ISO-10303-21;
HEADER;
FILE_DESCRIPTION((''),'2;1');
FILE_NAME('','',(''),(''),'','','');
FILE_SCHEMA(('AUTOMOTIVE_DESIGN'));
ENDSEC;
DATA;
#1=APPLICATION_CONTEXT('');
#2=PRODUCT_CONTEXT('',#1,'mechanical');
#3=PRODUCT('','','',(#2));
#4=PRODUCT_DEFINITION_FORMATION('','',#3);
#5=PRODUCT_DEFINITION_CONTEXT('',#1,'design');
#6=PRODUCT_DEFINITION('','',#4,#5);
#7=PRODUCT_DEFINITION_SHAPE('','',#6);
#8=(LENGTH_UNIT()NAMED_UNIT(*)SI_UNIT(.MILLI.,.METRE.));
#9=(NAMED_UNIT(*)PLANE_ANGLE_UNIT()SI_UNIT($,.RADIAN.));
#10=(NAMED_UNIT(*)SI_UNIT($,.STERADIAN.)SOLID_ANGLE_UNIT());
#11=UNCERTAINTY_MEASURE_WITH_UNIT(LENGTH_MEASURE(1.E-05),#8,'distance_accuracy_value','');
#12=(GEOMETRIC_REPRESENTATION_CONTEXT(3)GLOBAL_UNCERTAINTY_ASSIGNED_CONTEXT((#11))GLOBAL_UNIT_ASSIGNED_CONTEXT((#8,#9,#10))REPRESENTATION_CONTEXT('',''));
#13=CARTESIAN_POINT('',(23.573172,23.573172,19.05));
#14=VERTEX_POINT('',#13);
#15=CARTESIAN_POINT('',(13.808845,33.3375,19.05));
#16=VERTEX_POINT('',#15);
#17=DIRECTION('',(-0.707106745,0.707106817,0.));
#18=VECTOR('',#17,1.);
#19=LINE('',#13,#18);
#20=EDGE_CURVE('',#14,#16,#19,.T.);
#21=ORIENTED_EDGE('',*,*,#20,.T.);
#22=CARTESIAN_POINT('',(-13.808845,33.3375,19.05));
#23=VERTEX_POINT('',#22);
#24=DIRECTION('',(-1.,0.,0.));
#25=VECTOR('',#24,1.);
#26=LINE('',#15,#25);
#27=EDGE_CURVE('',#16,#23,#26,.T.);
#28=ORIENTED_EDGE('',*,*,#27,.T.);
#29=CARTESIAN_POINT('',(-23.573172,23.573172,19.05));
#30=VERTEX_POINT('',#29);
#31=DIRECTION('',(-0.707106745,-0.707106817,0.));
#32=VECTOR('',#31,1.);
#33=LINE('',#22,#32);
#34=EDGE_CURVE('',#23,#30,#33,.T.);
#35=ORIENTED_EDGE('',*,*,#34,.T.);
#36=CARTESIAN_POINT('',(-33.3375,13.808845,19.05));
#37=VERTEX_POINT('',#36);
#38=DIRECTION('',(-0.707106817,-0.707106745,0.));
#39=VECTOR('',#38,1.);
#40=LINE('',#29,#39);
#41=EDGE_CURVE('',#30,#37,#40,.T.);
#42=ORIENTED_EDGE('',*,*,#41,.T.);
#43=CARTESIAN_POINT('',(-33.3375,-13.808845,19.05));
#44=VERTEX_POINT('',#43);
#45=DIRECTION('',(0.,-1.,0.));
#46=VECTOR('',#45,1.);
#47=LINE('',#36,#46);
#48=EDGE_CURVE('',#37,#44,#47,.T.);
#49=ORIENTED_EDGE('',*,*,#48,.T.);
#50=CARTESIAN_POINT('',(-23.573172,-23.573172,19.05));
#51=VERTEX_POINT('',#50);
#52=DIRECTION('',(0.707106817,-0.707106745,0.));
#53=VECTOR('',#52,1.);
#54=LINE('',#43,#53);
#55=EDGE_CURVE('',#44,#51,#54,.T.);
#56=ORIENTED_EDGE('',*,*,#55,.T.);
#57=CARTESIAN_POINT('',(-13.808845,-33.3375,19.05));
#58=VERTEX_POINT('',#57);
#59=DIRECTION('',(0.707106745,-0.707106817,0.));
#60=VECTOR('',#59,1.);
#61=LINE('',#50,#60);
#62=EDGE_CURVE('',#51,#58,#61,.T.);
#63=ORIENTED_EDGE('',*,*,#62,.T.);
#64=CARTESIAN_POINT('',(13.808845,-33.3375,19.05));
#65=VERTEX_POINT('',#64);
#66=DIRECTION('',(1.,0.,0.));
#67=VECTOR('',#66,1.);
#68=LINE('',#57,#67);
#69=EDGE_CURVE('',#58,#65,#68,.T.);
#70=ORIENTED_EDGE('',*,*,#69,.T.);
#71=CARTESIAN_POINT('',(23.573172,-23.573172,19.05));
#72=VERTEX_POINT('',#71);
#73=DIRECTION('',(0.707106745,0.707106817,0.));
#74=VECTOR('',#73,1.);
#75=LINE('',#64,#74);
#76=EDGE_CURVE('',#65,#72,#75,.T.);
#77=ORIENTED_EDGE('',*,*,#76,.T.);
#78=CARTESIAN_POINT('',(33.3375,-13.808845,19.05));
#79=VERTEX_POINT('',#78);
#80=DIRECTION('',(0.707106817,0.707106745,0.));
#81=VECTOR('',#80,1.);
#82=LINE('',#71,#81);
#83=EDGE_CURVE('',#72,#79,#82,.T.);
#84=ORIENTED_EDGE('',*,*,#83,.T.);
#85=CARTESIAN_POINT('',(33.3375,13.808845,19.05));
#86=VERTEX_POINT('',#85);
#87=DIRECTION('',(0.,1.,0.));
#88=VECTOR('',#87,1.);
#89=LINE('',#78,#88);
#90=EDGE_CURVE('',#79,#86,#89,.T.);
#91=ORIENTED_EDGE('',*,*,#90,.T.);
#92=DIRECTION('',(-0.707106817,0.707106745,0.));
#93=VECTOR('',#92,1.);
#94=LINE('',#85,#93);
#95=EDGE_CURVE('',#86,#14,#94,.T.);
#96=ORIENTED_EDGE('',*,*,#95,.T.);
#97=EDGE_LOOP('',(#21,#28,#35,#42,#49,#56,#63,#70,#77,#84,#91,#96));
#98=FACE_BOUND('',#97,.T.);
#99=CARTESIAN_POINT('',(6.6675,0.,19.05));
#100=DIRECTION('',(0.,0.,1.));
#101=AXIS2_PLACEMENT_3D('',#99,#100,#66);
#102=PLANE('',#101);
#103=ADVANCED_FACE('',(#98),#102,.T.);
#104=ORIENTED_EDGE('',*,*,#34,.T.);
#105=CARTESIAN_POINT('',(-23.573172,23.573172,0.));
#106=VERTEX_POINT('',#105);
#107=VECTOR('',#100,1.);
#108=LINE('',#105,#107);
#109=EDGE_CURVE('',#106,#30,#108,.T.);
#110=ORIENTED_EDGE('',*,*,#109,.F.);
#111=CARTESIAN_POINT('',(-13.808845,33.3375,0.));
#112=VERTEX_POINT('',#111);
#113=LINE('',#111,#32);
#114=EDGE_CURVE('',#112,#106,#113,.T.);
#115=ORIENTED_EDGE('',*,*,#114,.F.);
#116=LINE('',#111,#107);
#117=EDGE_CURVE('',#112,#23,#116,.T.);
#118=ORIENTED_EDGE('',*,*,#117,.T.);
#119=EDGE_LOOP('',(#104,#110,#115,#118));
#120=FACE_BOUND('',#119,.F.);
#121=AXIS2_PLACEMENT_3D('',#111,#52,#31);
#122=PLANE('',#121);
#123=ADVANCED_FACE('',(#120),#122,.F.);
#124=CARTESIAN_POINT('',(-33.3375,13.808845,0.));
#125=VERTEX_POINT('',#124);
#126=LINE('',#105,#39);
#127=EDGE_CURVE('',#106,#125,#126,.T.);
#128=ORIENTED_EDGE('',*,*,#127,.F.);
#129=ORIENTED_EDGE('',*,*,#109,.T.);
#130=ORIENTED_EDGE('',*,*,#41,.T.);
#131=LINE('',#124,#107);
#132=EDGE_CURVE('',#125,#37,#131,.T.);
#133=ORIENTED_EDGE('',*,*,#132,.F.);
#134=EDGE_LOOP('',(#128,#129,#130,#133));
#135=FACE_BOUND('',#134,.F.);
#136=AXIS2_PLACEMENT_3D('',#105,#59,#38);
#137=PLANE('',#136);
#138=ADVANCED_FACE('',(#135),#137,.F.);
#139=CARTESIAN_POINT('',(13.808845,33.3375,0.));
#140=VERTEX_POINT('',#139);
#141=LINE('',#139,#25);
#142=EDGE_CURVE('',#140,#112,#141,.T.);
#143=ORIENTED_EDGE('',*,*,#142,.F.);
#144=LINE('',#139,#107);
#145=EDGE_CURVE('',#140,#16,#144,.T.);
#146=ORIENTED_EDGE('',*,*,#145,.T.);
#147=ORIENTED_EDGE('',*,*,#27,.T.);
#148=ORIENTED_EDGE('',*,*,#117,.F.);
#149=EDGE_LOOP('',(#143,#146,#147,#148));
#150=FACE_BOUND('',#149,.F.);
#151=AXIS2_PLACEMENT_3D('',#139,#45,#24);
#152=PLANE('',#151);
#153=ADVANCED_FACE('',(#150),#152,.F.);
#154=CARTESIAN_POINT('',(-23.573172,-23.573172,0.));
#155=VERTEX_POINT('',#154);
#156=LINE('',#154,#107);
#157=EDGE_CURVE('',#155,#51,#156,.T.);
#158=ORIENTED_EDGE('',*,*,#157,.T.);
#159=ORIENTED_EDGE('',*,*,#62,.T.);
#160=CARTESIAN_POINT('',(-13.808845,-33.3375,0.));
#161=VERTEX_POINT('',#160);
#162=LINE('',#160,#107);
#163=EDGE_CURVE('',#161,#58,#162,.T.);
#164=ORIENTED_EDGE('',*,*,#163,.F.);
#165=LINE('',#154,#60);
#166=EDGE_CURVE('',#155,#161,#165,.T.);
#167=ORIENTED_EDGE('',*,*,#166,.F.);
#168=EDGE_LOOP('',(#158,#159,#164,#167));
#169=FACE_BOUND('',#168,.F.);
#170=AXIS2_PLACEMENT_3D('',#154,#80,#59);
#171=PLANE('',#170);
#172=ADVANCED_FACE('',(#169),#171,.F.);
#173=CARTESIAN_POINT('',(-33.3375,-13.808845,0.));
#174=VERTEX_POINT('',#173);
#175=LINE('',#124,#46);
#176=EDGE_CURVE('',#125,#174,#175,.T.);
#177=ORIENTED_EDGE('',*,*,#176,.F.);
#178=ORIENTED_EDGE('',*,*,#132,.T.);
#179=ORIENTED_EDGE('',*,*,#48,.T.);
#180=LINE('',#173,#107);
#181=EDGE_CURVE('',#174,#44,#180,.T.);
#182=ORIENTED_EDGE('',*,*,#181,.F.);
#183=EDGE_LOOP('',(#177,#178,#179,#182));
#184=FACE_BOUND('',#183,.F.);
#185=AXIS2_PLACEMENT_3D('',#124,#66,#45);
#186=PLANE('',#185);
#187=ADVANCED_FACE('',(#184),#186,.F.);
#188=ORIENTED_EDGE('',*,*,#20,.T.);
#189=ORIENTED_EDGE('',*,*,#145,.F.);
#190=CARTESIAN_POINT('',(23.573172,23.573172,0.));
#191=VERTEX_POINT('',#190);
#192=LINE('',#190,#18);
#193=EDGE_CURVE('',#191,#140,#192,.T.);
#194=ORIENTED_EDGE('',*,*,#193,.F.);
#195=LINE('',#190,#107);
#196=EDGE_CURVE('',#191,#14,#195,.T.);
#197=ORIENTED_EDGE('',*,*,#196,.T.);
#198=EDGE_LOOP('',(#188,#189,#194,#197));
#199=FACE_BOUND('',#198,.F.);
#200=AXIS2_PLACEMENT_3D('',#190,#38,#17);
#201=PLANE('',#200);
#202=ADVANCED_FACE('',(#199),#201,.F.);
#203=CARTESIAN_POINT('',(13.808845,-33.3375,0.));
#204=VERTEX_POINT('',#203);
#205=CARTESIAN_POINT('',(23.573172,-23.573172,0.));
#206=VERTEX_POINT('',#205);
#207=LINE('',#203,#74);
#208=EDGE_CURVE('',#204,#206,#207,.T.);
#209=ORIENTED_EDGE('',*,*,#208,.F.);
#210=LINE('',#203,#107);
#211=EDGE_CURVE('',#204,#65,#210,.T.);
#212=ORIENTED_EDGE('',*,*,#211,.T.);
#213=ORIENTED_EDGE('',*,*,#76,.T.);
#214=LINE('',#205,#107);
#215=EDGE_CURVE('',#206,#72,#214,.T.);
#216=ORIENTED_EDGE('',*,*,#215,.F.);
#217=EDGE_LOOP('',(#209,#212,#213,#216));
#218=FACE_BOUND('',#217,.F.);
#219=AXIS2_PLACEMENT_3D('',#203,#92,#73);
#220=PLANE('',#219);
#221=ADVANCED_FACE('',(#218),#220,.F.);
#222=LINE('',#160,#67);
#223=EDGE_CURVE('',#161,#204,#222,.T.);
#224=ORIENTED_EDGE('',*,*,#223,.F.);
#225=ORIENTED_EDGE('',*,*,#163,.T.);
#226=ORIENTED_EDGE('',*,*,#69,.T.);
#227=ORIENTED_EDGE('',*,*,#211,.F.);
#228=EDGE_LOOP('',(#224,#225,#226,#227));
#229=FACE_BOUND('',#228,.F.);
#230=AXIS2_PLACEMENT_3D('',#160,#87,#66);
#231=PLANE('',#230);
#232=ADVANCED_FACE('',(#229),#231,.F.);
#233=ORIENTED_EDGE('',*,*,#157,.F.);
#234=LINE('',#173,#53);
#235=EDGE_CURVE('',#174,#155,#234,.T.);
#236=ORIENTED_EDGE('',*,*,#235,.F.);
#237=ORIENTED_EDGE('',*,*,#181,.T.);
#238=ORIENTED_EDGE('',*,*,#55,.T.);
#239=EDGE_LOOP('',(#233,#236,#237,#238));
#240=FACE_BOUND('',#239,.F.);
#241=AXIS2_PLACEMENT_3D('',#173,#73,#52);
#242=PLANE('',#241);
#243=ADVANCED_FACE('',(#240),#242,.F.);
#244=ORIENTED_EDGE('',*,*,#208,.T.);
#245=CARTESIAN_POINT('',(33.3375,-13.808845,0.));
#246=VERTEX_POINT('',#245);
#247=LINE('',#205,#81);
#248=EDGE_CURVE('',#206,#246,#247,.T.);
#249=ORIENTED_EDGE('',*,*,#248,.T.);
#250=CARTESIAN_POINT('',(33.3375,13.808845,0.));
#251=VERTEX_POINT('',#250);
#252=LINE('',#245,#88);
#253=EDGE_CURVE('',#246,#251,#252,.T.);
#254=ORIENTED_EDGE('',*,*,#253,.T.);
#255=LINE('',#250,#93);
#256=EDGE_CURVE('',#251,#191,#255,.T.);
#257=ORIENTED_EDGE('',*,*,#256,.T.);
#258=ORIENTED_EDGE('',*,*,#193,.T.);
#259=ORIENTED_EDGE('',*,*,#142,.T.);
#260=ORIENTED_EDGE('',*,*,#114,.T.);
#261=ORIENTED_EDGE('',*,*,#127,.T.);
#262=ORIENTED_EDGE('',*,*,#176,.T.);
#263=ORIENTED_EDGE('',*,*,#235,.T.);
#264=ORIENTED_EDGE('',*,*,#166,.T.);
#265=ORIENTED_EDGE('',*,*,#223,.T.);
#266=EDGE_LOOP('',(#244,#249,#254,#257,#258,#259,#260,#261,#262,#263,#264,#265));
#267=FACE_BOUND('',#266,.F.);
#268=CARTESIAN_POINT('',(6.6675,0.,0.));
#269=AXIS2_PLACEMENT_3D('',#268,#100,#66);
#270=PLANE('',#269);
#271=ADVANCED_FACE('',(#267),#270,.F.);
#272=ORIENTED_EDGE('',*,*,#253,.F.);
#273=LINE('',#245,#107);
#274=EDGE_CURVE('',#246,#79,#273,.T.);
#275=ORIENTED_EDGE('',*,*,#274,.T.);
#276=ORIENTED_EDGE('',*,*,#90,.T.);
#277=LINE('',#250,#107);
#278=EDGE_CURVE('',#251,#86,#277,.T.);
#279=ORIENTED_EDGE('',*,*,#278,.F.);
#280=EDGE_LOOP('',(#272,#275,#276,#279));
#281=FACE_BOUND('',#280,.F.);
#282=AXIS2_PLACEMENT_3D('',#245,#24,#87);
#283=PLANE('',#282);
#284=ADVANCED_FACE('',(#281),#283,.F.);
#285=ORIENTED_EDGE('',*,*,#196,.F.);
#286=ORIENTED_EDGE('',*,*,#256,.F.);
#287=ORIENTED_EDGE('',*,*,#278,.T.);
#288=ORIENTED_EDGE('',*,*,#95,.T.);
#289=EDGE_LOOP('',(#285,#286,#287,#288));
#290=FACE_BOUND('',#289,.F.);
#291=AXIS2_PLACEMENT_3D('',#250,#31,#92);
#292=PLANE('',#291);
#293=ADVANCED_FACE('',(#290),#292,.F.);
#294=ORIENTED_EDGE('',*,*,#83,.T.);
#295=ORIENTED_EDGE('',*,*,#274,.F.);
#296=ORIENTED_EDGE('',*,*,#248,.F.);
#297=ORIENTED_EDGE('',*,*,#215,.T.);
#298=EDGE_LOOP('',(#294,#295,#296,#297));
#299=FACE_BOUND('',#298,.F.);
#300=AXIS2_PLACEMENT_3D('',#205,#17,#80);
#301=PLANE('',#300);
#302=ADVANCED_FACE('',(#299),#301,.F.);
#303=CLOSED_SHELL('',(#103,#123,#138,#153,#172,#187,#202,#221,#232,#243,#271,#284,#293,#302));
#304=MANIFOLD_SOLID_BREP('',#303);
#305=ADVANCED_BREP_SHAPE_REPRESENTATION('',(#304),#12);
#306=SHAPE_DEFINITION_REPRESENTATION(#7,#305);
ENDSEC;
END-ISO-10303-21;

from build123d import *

# Parameters (mm, degrees)
F0_W     = 4.445
F0_H     = 8.89
F0_W_2   = 8.89
F0_H_2   = 4.445
F1_DEPTH = 19.05


with BuildPart() as f1:
    # F0 (on Top) → F1 (new body)
    with BuildSketch(Plane.XY):
        with Locations((6.6675, 0)):
            Rectangle(F0_W, F0_H)
        Polygon((23.573172, -23.573172), (33.3375, -13.808845), (33.3375, 13.808845), (23.573172, 23.573172), (8.89, 4.445), (8.89, -4.445), align=None)
        Polygon((4.445, -8.89), (23.573172, -23.573172), (8.89, -4.445), (4.445, -4.445), align=None)
        Polygon((8.89, 4.445), (23.573172, 23.573172), (4.445, 8.89), (4.445, 4.445), align=None)
        with Locations((0, -6.6675)):
            Rectangle(F0_W_2, F0_H_2)
        Polygon((-33.3375, -13.808845), (-23.573172, -23.573172), (-8.89, -4.445), (-8.89, 4.445), (-23.573172, 23.573172), (-33.3375, 13.808845), align=None)
        Polygon((-23.573172, -23.573172), (-4.445, -8.89), (-4.445, -4.445), (-8.89, -4.445), align=None)
        with Locations((-6.6675, 0)):
            Rectangle(F0_W, F0_H)
        with Locations((0, 6.6675)):
            Rectangle(F0_W_2, F0_H_2)
        Polygon((13.808845, -33.3375), (23.573172, -23.573172), (4.445, -8.89), (-4.445, -8.89), (-23.573172, -23.573172), (-13.808845, -33.3375), align=None)
        Polygon((-4.445, 4.445), (-4.445, 8.89), (-23.573172, 23.573172), (-8.89, 4.445), align=None)
        Polygon((4.445, 8.89), (23.573172, 23.573172), (13.808845, 33.3375), (-13.808845, 33.3375), (-23.573172, 23.573172), (-4.445, 8.89), align=None)
        Rectangle(F0_W_2, F0_H)
    extrude(amount=F1_DEPTH)


solid = f1.part
